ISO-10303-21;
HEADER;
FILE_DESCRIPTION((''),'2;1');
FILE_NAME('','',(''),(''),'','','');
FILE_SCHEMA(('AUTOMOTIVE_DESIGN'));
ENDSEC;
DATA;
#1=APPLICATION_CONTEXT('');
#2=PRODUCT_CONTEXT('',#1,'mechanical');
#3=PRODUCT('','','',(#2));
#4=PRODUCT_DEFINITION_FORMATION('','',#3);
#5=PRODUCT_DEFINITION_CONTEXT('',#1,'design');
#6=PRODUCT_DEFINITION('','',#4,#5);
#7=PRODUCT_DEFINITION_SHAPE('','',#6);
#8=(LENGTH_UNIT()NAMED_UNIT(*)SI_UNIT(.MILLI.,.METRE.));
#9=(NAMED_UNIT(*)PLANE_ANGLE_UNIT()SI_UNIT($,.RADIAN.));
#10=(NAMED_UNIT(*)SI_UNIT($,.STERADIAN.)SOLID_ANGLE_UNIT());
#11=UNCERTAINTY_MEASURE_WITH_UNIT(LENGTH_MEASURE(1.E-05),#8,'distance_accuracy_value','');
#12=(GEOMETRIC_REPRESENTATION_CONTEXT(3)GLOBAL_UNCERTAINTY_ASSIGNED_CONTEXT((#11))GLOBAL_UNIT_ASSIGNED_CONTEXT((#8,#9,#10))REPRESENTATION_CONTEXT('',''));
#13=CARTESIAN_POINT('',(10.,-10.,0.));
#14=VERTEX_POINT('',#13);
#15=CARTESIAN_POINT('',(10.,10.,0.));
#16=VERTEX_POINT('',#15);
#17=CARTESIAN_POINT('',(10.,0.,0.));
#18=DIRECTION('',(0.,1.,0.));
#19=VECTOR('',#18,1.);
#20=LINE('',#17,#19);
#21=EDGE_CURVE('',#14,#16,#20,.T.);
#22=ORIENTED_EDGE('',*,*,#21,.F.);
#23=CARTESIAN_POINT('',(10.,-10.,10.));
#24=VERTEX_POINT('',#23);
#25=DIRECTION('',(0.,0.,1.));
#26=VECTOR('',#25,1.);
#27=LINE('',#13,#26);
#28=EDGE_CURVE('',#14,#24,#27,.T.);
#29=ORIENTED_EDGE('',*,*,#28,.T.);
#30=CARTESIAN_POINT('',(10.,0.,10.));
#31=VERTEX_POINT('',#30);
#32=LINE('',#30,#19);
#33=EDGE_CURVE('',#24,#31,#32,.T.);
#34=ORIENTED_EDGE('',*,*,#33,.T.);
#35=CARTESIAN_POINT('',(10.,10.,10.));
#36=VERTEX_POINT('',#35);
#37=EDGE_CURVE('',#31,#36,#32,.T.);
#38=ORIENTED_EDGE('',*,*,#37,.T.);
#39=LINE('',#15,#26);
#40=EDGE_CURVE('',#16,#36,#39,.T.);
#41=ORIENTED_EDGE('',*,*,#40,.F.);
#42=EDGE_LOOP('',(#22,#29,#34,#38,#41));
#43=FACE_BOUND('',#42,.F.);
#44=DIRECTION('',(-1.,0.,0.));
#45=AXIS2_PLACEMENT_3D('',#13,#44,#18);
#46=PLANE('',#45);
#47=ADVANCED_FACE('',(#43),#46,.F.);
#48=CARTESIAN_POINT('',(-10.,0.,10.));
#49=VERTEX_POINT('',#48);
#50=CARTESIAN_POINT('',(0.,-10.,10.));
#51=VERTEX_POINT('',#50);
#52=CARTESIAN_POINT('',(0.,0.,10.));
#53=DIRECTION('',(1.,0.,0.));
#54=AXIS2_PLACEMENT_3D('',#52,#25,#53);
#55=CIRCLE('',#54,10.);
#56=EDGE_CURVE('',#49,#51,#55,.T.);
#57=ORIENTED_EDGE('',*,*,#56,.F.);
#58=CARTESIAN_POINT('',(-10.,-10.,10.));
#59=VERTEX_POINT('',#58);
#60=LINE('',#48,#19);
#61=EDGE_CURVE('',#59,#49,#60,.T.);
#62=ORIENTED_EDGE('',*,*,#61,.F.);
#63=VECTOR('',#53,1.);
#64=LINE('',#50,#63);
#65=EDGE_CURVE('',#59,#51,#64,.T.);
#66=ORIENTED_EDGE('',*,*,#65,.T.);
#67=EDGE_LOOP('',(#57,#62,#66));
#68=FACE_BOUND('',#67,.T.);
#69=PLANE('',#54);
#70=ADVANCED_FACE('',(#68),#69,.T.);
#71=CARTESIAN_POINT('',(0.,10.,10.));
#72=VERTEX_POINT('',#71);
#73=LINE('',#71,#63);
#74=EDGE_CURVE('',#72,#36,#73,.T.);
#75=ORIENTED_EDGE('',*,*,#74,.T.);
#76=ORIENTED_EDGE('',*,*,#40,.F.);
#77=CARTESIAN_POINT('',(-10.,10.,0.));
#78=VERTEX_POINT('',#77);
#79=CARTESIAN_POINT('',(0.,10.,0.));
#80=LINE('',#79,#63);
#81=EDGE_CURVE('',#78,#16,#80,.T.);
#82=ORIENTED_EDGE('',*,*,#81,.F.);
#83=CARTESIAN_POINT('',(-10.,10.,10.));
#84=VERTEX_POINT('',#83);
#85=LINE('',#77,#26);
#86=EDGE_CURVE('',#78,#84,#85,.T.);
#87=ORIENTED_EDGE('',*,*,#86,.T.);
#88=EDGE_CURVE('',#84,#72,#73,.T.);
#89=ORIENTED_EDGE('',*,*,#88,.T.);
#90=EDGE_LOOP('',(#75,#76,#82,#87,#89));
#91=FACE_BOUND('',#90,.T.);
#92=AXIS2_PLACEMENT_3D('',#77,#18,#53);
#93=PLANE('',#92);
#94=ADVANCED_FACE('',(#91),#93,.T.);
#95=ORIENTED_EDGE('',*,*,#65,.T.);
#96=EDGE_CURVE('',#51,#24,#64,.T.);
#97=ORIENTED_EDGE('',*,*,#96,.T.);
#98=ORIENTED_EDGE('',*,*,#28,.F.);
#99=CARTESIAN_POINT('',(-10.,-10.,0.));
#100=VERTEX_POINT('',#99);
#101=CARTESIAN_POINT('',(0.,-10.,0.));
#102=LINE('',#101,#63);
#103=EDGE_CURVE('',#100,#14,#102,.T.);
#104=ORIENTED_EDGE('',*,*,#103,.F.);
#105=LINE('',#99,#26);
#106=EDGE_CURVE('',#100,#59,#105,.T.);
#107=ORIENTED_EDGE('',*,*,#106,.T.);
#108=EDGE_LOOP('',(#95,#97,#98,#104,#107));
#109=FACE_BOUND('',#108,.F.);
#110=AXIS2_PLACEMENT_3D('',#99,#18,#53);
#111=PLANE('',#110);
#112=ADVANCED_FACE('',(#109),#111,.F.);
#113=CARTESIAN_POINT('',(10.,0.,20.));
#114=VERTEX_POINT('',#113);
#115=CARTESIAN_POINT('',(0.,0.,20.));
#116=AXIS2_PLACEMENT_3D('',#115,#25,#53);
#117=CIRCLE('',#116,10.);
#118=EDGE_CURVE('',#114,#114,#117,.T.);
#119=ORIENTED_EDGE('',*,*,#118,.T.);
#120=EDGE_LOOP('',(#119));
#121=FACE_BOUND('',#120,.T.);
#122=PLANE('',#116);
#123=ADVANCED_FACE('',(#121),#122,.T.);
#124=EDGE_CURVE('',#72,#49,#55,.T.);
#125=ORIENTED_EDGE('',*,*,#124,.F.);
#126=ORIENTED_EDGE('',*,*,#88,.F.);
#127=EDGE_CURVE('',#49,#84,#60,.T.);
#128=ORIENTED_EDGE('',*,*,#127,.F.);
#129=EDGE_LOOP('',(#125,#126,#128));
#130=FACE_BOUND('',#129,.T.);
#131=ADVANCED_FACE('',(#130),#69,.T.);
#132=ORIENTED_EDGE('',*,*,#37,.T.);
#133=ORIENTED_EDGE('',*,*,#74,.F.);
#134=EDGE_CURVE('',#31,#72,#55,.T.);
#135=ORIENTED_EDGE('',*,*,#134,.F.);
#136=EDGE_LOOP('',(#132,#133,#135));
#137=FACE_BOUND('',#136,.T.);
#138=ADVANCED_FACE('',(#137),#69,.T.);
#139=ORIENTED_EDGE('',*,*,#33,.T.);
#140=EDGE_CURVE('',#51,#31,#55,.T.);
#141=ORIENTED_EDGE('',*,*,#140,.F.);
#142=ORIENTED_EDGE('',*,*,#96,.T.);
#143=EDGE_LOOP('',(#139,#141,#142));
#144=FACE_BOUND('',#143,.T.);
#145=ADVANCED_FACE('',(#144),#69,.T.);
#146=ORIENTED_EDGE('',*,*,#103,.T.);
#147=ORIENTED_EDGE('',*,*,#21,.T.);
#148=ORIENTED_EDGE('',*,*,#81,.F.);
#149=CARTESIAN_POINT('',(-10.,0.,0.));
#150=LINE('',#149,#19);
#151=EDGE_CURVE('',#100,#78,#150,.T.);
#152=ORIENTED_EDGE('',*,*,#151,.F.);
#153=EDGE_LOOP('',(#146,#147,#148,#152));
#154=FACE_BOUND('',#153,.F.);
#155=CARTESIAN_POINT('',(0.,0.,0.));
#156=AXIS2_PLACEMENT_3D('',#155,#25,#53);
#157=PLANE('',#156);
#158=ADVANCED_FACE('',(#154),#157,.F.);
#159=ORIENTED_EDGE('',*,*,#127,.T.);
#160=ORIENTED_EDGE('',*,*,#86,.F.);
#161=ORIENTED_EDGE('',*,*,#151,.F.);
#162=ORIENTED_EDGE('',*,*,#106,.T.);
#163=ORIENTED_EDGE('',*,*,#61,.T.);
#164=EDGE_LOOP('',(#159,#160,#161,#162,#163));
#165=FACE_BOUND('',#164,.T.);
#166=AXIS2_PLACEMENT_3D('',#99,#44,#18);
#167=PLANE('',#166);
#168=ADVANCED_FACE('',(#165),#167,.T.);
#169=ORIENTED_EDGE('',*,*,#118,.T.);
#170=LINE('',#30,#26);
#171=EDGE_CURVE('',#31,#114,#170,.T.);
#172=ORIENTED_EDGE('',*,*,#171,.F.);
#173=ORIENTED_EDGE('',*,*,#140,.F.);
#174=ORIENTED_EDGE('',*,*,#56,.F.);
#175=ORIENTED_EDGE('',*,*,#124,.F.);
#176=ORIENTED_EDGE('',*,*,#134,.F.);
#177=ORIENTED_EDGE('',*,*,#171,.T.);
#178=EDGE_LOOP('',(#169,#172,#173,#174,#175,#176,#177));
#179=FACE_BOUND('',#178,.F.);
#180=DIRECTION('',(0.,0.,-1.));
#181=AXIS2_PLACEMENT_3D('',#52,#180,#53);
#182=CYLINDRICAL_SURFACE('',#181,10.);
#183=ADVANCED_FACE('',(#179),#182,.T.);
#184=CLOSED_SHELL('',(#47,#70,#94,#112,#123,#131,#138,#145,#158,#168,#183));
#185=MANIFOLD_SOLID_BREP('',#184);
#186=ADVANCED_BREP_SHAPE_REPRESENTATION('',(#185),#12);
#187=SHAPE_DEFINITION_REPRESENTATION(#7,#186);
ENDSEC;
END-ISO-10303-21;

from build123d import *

# Parameters (mm, degrees)
SKETCH_W     = 20
SKETCH_H     = 20
PAD_DEPTH    = 10
SKETCH001_R  = 10
PAD001_DEPTH = 10


with BuildPart() as part:
    # Sketch → Pad (new body)
    with BuildSketch(Plane.XY):
        Rectangle(SKETCH_W, SKETCH_H)
    extrude(amount=PAD_DEPTH)

    # Sketch001 (on Face6 of Pad) → Pad001 (join)
    with BuildSketch(Plane.XY.offset(10)):
        Circle(SKETCH001_R)
    extrude(amount=PAD001_DEPTH)


solid = part.part
